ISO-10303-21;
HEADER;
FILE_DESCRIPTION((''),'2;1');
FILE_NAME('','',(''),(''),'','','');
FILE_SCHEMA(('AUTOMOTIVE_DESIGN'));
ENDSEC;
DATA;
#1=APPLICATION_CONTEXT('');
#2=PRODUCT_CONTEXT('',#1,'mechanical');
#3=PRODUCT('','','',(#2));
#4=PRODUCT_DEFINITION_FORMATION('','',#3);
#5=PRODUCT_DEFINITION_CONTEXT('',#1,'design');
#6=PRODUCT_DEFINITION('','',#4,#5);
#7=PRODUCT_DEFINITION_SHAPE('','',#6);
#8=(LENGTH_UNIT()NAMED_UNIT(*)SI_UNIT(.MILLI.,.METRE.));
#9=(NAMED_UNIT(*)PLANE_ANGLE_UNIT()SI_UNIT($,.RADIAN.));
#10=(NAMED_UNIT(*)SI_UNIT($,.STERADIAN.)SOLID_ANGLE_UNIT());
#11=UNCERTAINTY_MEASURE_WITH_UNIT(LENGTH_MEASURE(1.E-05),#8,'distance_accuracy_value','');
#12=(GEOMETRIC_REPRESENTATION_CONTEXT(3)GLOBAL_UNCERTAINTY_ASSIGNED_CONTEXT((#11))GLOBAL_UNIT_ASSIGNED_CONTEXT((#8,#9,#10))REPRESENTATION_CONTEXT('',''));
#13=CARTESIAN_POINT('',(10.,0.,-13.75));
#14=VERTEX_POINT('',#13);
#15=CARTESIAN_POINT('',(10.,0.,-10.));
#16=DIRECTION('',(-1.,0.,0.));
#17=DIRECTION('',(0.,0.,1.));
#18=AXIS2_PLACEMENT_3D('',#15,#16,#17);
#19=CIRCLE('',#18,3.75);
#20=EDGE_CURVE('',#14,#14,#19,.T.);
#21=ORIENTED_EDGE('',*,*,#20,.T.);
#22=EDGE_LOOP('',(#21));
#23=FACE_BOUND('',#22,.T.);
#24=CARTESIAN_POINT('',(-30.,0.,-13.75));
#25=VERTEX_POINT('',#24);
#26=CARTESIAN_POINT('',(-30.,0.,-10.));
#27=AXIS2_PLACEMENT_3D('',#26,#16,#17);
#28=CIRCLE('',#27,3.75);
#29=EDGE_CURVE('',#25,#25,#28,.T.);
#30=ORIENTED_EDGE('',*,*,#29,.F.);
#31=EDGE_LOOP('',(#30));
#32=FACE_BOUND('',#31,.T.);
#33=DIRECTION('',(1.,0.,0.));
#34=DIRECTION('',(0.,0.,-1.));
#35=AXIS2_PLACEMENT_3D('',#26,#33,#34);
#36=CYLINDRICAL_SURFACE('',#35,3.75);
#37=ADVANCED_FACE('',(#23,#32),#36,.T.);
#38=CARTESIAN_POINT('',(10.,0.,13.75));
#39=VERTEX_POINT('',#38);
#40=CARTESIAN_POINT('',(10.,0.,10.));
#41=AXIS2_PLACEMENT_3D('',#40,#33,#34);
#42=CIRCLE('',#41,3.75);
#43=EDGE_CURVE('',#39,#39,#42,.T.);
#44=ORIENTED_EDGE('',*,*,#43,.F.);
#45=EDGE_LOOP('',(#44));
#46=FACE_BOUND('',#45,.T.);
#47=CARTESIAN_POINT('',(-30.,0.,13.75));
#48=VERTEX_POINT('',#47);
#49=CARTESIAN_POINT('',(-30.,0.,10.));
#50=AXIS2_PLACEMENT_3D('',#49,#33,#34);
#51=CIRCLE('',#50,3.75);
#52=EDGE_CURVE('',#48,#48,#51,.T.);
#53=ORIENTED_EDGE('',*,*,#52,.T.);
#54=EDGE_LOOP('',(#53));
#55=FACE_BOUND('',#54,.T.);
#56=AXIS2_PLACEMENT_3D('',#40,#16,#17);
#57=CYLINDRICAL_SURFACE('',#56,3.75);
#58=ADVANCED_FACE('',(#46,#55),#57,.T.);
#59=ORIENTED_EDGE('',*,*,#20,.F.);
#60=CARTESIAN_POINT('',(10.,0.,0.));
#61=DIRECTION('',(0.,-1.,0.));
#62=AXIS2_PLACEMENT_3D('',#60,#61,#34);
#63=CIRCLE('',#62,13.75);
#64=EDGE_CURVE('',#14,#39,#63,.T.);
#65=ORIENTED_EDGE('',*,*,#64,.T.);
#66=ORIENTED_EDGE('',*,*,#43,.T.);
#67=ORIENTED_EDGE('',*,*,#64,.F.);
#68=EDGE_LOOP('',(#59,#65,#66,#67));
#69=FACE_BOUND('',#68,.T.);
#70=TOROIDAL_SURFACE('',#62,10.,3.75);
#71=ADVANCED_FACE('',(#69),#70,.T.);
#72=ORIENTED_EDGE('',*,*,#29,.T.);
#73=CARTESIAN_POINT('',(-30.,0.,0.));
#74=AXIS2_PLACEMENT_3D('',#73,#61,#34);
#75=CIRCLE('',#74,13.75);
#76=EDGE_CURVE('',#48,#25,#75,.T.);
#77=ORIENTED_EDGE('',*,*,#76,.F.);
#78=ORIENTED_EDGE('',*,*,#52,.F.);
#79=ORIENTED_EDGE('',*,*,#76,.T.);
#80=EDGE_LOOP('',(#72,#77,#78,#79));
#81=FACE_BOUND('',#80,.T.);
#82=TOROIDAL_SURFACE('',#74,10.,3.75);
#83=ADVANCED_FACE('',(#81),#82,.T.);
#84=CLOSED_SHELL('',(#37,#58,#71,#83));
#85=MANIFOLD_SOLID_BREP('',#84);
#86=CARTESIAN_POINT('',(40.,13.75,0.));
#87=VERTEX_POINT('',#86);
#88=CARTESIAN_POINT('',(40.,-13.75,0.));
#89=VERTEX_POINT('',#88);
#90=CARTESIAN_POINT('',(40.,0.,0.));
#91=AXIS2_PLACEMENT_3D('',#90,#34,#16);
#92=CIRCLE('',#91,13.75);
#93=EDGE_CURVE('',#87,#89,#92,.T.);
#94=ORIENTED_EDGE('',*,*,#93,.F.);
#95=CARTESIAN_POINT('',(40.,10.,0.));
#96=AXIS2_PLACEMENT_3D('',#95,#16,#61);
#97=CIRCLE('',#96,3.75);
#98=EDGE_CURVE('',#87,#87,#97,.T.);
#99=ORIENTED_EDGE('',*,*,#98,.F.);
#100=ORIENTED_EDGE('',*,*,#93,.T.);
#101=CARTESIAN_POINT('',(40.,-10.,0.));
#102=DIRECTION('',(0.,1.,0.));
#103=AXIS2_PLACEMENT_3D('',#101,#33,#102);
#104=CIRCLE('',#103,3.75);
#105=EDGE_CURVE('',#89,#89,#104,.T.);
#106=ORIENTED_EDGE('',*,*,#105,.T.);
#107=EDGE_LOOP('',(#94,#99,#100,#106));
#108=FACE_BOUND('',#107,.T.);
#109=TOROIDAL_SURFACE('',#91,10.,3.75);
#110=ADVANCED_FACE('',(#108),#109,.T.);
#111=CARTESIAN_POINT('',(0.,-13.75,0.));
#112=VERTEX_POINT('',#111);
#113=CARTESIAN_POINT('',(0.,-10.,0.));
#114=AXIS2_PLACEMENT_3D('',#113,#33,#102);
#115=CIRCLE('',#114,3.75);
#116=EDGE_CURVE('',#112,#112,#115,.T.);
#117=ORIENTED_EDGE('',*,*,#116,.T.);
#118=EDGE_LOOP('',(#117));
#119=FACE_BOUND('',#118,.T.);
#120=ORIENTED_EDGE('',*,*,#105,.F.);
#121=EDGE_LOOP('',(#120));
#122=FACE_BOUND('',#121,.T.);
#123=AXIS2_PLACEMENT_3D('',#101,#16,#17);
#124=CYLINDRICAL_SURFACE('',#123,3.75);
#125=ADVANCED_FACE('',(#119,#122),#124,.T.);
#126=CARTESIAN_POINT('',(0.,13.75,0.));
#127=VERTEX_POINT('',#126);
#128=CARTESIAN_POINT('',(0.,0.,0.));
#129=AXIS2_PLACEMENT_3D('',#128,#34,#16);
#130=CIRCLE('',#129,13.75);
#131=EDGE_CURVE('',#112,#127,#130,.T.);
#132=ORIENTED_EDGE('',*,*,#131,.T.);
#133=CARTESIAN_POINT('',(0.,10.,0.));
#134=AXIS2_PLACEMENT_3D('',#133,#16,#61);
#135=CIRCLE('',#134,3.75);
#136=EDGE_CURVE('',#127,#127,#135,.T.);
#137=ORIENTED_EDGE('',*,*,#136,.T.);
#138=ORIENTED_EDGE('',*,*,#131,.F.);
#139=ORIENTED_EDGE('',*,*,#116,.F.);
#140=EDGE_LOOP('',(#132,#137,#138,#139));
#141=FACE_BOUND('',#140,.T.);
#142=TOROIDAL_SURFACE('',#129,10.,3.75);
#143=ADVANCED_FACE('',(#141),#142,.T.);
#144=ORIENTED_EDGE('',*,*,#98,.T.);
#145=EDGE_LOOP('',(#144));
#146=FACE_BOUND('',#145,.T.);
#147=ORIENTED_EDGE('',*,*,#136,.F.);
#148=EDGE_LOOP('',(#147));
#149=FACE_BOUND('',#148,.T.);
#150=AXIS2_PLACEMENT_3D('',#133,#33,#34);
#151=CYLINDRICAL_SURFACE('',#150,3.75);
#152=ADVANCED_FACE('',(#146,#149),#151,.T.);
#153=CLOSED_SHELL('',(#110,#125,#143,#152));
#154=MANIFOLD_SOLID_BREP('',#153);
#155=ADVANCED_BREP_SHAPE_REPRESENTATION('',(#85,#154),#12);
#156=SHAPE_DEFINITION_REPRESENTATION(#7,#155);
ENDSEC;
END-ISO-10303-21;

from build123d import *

# Parameters (mm, degrees)
SWEEP4_PROFILE_R = 3.75
SWEEP5_PROFILE_R = 3.75


with BuildPart() as part:
    # Sweep4: sweep along a path in Sketch1
    with BuildLine(Plane.XY) as sweep4_path:
        Line((0, 10), (40, 10))
        ThreePointArc((40, 10), (50, 0), (40, -10))
        Line((40, -10), (0, -10))
        ThreePointArc((0, -10), (-10, 0), (0, 10))
    # Sweep4 profile (on start of the path) → Sweep4 (sweep)
    with BuildSketch(Plane(origin=(0, 10, 0), x_dir=(0, 0, 1), z_dir=(1, 0, 0))):
        Circle(SWEEP4_PROFILE_R)
    sweep(path=sweep4_path.line)


with BuildPart() as body_2:
    # Sweep5: sweep along a path in Sketch12
    with BuildLine(Plane(origin=(0, 0, 0), x_dir=(1, 0, 0), z_dir=(0, 1, 0))) as sweep5_path:
        Line((-30, 10), (10, 10))
        ThreePointArc((10, 10), (20, 0), (10, -10))
        Line((10, -10), (-30, -10))
        ThreePointArc((-30, -10), (-40, 0), (-30, 10))
    # Sweep5 profile (on start of the path) → Sweep5 (sweep)
    with BuildSketch(Plane(origin=(-30, 0, -10), x_dir=(0, 0, 1), z_dir=(1, 0, 0))):
        Circle(SWEEP5_PROFILE_R)
    sweep(path=sweep5_path.line)


solid = Compound([part.part, body_2.part])
